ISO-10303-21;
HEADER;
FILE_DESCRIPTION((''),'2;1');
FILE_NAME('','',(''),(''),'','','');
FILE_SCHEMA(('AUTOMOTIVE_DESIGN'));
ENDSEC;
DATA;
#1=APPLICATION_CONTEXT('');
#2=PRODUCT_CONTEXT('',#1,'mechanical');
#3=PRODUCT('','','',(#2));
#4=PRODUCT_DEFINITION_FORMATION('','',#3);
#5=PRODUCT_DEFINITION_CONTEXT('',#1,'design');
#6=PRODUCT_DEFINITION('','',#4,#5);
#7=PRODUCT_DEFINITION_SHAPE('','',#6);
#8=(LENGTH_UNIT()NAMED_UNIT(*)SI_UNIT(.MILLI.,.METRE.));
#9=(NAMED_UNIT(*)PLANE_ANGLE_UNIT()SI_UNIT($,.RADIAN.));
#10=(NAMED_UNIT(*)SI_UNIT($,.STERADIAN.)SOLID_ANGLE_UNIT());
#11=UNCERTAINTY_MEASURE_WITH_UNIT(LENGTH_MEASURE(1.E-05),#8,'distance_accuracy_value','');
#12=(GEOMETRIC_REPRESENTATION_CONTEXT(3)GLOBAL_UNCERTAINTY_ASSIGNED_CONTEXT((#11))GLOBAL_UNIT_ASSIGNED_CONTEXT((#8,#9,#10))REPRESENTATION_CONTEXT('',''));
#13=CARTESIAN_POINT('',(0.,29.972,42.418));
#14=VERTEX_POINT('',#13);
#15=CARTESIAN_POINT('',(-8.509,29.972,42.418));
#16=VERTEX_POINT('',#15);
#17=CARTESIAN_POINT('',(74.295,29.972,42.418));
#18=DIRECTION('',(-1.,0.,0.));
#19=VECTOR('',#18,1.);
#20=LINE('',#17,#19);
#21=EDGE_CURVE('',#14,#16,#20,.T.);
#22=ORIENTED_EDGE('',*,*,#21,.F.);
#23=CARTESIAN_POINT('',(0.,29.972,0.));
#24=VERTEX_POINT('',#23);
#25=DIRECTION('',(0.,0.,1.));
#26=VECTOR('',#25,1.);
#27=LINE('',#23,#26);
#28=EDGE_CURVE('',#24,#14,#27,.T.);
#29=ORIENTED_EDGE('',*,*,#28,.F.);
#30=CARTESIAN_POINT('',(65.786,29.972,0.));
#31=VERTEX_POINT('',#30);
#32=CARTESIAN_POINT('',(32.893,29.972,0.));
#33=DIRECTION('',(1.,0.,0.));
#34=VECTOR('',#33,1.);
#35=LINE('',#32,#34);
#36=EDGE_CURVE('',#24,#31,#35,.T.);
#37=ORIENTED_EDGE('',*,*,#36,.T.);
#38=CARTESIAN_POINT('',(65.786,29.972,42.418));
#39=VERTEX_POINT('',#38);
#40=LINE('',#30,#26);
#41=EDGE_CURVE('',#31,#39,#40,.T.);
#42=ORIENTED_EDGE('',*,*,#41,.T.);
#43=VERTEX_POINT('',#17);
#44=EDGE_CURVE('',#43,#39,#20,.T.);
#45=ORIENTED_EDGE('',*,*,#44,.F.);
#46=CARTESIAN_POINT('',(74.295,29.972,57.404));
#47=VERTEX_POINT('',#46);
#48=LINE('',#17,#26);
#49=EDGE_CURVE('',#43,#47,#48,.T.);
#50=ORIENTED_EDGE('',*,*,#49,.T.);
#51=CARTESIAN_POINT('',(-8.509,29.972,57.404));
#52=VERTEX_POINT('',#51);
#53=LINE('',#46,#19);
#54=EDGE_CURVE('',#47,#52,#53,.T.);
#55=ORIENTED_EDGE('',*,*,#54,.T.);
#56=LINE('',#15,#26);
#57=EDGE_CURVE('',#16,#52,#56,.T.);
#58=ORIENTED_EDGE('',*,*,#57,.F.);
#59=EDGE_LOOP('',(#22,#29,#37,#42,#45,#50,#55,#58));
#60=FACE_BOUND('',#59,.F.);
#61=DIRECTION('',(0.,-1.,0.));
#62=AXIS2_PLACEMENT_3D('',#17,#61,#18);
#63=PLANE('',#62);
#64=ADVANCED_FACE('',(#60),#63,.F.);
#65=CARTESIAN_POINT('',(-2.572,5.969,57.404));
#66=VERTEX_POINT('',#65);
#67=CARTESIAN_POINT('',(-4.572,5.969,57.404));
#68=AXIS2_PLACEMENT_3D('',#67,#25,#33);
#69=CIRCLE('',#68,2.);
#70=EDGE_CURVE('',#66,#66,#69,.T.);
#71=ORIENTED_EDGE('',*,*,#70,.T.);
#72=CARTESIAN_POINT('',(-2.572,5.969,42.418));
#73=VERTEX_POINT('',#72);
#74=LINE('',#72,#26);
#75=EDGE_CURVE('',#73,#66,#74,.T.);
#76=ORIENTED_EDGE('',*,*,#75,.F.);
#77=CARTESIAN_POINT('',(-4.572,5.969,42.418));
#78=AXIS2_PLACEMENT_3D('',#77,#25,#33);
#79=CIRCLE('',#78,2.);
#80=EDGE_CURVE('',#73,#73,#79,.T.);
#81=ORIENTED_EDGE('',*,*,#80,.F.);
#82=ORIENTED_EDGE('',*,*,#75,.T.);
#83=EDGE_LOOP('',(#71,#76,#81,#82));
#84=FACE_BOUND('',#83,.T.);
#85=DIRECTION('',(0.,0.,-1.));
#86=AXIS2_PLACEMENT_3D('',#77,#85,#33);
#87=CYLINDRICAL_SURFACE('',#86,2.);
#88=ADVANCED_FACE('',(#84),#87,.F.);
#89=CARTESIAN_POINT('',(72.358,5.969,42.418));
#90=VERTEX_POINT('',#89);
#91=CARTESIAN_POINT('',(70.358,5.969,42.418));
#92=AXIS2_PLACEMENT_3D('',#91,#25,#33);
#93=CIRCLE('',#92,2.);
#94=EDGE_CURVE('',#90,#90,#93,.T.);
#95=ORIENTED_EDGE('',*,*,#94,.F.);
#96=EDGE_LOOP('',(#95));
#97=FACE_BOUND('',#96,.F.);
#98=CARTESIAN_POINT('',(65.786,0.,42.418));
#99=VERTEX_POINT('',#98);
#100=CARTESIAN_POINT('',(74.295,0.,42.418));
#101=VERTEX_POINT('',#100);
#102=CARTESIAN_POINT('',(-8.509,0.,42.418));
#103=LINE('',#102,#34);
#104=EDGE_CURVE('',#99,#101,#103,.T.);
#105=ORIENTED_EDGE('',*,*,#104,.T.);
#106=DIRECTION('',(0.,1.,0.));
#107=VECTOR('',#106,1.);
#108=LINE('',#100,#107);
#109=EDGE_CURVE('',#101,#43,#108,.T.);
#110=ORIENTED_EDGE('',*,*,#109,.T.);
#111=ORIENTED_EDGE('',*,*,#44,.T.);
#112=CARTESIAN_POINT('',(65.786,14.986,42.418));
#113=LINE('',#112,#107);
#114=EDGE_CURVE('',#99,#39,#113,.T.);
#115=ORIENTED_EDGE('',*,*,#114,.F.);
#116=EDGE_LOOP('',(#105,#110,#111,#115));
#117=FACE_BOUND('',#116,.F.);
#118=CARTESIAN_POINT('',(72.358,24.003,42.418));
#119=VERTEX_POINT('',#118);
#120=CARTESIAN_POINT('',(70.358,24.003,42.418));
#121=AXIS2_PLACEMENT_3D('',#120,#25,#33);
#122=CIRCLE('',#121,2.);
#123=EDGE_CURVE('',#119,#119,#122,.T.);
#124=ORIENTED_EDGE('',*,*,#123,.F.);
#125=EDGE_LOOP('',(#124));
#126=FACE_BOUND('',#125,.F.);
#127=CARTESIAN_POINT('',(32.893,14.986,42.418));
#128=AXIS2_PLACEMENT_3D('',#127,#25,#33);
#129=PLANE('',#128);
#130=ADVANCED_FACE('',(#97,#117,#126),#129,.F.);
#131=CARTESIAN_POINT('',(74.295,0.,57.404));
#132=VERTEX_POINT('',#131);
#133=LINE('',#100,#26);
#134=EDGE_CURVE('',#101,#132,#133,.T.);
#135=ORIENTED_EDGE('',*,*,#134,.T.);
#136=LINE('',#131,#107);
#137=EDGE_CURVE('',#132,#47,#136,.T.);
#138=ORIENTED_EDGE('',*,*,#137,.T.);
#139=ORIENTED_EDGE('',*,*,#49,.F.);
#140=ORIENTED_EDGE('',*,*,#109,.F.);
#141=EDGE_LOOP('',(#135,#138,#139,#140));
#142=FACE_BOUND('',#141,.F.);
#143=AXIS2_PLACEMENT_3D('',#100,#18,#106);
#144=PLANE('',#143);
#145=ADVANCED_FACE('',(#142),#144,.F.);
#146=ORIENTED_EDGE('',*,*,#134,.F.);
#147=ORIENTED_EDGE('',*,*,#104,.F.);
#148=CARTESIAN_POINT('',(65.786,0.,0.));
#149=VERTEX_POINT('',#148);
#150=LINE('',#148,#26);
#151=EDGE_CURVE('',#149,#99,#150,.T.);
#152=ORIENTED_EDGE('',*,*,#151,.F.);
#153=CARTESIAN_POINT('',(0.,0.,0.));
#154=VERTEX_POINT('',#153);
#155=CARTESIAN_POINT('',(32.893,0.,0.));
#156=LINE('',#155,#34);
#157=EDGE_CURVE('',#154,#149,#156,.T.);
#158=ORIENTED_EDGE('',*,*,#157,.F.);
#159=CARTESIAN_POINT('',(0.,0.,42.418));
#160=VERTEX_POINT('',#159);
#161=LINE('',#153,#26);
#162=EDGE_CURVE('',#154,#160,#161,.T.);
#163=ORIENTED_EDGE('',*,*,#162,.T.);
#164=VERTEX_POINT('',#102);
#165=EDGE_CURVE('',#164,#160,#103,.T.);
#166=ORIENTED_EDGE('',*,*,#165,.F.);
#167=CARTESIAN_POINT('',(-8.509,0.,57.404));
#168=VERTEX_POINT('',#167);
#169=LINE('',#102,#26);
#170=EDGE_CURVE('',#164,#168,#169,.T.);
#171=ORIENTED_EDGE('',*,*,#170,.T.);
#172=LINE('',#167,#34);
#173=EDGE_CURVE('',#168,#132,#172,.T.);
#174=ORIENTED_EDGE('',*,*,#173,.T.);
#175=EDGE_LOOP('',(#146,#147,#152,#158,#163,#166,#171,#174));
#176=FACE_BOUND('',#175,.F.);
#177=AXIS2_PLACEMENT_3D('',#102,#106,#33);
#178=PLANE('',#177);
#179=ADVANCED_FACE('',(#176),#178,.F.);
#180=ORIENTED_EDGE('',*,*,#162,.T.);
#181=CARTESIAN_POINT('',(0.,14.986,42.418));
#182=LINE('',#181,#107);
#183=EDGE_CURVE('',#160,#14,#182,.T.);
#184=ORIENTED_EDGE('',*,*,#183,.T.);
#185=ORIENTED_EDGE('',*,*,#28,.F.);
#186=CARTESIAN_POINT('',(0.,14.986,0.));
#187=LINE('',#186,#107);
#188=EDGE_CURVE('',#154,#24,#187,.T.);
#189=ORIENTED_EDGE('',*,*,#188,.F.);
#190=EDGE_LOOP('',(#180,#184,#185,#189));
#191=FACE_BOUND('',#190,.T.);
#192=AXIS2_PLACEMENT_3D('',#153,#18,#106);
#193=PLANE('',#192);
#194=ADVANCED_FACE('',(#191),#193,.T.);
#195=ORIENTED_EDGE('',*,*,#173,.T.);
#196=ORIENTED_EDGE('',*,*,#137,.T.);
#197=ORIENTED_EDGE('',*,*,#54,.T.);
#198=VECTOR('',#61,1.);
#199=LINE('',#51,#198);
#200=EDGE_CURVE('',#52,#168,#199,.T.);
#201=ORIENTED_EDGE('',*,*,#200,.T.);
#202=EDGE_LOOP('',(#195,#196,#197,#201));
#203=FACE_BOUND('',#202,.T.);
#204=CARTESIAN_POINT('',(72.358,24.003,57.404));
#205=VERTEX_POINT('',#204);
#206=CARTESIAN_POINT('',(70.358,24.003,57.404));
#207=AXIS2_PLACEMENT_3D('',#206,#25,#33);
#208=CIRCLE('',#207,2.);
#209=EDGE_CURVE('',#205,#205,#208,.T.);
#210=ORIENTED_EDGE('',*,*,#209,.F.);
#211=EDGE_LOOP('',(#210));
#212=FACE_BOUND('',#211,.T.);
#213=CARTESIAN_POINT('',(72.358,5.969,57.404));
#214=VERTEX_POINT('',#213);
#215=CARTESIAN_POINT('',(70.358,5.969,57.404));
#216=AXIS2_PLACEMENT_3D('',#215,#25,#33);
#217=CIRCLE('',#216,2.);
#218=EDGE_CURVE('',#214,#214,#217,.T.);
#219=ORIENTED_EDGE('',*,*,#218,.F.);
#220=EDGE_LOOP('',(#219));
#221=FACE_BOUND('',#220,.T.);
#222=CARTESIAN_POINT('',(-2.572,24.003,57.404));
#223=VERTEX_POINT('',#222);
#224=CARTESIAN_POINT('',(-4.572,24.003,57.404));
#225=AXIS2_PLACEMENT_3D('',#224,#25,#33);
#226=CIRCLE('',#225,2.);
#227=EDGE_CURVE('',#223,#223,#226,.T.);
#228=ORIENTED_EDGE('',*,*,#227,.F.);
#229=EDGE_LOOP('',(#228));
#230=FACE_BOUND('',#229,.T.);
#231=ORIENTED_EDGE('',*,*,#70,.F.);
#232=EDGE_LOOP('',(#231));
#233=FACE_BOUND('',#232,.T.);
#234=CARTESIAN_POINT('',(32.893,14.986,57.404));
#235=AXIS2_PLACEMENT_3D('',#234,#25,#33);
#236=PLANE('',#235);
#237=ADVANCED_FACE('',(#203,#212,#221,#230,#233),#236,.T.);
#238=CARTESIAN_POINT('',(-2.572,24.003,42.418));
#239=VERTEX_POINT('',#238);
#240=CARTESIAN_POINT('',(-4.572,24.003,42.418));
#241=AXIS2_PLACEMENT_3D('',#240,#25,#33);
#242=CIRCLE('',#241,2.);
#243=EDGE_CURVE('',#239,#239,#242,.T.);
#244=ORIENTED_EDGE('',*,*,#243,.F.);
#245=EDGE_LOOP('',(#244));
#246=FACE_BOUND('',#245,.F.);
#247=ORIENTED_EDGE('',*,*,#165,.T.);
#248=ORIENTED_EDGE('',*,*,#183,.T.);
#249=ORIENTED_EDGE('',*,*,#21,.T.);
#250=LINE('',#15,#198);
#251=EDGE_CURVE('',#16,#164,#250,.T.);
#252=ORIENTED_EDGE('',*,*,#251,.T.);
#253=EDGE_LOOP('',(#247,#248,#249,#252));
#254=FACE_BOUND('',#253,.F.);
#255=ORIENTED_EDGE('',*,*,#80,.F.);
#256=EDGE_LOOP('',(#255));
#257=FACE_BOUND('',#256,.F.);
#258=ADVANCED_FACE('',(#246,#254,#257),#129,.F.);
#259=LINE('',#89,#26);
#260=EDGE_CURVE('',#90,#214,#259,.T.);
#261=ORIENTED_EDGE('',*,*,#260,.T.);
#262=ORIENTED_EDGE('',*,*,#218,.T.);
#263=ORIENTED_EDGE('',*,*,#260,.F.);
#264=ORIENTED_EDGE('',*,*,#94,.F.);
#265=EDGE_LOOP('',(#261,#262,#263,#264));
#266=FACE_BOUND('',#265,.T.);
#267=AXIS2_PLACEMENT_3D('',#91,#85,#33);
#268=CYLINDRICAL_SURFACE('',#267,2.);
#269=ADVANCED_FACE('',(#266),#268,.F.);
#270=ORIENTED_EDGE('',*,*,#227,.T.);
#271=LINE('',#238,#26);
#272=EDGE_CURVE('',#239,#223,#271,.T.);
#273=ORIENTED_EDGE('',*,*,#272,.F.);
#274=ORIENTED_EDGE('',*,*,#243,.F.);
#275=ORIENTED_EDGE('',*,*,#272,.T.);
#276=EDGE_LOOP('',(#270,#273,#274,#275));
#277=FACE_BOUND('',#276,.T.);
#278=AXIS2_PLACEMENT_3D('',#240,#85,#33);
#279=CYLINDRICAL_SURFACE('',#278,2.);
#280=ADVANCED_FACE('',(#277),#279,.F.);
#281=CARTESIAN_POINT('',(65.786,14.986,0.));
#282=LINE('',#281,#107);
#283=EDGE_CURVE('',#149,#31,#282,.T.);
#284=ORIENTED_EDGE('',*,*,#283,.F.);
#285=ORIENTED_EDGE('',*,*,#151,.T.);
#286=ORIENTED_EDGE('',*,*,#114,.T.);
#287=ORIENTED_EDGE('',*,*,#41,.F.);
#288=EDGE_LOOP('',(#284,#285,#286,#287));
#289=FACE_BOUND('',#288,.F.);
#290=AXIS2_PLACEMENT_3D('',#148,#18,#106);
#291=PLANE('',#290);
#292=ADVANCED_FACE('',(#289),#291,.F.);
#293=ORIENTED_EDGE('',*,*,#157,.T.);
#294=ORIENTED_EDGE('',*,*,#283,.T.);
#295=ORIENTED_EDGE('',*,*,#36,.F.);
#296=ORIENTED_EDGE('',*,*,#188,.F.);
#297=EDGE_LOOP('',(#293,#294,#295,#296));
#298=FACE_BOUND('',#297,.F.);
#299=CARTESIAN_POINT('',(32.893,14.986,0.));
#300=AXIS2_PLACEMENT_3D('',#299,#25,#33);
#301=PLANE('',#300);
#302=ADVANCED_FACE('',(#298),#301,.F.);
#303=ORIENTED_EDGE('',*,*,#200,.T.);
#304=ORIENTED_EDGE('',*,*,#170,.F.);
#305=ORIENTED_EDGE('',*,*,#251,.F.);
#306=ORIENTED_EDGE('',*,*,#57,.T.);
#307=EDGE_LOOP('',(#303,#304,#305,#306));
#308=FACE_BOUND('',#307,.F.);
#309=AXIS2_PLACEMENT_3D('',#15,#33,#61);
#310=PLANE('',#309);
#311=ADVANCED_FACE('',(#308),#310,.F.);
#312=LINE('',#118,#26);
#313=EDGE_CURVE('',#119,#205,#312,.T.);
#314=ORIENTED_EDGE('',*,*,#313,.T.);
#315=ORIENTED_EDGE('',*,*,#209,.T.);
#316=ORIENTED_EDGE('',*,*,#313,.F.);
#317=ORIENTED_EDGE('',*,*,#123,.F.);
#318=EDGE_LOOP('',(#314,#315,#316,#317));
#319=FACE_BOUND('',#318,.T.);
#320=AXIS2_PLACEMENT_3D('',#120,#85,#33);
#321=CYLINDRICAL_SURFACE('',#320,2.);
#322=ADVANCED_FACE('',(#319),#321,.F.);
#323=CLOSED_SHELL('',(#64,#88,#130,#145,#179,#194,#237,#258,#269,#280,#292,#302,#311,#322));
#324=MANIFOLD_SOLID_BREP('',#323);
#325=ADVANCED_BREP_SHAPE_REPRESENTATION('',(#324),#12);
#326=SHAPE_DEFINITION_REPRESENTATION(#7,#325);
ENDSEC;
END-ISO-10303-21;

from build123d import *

# Parameters (mm, degrees)
F0_W     = 65.786
F0_H     = 29.972
F1_DEPTH = 42.418
F2_R     = 2
F3_DEPTH = 14.986


with BuildPart() as f1:
    # F0 (on Top) → F1 (new body)
    with BuildSketch(Plane.XY):
        with Locations((32.893, 14.986)):
            Rectangle(F0_W, F0_H)
    extrude(amount=F1_DEPTH)

    # F2 (on face) → F3 (join)
    with BuildSketch(Plane.XY.offset(42.418)):
        Polygon((32.893, 29.972), (-8.509, 29.972), (-8.509, 0), (32.893, 0), (74.295, 0), (74.295, 29.972), align=None)
        with Locations((-4.572, 5.969)):
            Circle(F2_R, mode=Mode.SUBTRACT)
        with Locations((70.358, 5.969)):
            Circle(F2_R, mode=Mode.SUBTRACT)
        with Locations((-4.572, 24.003)):
            Circle(F2_R, mode=Mode.SUBTRACT)
        with Locations((70.358, 24.003)):
            Circle(F2_R, mode=Mode.SUBTRACT)
    extrude(amount=F3_DEPTH)


solid = f1.part
